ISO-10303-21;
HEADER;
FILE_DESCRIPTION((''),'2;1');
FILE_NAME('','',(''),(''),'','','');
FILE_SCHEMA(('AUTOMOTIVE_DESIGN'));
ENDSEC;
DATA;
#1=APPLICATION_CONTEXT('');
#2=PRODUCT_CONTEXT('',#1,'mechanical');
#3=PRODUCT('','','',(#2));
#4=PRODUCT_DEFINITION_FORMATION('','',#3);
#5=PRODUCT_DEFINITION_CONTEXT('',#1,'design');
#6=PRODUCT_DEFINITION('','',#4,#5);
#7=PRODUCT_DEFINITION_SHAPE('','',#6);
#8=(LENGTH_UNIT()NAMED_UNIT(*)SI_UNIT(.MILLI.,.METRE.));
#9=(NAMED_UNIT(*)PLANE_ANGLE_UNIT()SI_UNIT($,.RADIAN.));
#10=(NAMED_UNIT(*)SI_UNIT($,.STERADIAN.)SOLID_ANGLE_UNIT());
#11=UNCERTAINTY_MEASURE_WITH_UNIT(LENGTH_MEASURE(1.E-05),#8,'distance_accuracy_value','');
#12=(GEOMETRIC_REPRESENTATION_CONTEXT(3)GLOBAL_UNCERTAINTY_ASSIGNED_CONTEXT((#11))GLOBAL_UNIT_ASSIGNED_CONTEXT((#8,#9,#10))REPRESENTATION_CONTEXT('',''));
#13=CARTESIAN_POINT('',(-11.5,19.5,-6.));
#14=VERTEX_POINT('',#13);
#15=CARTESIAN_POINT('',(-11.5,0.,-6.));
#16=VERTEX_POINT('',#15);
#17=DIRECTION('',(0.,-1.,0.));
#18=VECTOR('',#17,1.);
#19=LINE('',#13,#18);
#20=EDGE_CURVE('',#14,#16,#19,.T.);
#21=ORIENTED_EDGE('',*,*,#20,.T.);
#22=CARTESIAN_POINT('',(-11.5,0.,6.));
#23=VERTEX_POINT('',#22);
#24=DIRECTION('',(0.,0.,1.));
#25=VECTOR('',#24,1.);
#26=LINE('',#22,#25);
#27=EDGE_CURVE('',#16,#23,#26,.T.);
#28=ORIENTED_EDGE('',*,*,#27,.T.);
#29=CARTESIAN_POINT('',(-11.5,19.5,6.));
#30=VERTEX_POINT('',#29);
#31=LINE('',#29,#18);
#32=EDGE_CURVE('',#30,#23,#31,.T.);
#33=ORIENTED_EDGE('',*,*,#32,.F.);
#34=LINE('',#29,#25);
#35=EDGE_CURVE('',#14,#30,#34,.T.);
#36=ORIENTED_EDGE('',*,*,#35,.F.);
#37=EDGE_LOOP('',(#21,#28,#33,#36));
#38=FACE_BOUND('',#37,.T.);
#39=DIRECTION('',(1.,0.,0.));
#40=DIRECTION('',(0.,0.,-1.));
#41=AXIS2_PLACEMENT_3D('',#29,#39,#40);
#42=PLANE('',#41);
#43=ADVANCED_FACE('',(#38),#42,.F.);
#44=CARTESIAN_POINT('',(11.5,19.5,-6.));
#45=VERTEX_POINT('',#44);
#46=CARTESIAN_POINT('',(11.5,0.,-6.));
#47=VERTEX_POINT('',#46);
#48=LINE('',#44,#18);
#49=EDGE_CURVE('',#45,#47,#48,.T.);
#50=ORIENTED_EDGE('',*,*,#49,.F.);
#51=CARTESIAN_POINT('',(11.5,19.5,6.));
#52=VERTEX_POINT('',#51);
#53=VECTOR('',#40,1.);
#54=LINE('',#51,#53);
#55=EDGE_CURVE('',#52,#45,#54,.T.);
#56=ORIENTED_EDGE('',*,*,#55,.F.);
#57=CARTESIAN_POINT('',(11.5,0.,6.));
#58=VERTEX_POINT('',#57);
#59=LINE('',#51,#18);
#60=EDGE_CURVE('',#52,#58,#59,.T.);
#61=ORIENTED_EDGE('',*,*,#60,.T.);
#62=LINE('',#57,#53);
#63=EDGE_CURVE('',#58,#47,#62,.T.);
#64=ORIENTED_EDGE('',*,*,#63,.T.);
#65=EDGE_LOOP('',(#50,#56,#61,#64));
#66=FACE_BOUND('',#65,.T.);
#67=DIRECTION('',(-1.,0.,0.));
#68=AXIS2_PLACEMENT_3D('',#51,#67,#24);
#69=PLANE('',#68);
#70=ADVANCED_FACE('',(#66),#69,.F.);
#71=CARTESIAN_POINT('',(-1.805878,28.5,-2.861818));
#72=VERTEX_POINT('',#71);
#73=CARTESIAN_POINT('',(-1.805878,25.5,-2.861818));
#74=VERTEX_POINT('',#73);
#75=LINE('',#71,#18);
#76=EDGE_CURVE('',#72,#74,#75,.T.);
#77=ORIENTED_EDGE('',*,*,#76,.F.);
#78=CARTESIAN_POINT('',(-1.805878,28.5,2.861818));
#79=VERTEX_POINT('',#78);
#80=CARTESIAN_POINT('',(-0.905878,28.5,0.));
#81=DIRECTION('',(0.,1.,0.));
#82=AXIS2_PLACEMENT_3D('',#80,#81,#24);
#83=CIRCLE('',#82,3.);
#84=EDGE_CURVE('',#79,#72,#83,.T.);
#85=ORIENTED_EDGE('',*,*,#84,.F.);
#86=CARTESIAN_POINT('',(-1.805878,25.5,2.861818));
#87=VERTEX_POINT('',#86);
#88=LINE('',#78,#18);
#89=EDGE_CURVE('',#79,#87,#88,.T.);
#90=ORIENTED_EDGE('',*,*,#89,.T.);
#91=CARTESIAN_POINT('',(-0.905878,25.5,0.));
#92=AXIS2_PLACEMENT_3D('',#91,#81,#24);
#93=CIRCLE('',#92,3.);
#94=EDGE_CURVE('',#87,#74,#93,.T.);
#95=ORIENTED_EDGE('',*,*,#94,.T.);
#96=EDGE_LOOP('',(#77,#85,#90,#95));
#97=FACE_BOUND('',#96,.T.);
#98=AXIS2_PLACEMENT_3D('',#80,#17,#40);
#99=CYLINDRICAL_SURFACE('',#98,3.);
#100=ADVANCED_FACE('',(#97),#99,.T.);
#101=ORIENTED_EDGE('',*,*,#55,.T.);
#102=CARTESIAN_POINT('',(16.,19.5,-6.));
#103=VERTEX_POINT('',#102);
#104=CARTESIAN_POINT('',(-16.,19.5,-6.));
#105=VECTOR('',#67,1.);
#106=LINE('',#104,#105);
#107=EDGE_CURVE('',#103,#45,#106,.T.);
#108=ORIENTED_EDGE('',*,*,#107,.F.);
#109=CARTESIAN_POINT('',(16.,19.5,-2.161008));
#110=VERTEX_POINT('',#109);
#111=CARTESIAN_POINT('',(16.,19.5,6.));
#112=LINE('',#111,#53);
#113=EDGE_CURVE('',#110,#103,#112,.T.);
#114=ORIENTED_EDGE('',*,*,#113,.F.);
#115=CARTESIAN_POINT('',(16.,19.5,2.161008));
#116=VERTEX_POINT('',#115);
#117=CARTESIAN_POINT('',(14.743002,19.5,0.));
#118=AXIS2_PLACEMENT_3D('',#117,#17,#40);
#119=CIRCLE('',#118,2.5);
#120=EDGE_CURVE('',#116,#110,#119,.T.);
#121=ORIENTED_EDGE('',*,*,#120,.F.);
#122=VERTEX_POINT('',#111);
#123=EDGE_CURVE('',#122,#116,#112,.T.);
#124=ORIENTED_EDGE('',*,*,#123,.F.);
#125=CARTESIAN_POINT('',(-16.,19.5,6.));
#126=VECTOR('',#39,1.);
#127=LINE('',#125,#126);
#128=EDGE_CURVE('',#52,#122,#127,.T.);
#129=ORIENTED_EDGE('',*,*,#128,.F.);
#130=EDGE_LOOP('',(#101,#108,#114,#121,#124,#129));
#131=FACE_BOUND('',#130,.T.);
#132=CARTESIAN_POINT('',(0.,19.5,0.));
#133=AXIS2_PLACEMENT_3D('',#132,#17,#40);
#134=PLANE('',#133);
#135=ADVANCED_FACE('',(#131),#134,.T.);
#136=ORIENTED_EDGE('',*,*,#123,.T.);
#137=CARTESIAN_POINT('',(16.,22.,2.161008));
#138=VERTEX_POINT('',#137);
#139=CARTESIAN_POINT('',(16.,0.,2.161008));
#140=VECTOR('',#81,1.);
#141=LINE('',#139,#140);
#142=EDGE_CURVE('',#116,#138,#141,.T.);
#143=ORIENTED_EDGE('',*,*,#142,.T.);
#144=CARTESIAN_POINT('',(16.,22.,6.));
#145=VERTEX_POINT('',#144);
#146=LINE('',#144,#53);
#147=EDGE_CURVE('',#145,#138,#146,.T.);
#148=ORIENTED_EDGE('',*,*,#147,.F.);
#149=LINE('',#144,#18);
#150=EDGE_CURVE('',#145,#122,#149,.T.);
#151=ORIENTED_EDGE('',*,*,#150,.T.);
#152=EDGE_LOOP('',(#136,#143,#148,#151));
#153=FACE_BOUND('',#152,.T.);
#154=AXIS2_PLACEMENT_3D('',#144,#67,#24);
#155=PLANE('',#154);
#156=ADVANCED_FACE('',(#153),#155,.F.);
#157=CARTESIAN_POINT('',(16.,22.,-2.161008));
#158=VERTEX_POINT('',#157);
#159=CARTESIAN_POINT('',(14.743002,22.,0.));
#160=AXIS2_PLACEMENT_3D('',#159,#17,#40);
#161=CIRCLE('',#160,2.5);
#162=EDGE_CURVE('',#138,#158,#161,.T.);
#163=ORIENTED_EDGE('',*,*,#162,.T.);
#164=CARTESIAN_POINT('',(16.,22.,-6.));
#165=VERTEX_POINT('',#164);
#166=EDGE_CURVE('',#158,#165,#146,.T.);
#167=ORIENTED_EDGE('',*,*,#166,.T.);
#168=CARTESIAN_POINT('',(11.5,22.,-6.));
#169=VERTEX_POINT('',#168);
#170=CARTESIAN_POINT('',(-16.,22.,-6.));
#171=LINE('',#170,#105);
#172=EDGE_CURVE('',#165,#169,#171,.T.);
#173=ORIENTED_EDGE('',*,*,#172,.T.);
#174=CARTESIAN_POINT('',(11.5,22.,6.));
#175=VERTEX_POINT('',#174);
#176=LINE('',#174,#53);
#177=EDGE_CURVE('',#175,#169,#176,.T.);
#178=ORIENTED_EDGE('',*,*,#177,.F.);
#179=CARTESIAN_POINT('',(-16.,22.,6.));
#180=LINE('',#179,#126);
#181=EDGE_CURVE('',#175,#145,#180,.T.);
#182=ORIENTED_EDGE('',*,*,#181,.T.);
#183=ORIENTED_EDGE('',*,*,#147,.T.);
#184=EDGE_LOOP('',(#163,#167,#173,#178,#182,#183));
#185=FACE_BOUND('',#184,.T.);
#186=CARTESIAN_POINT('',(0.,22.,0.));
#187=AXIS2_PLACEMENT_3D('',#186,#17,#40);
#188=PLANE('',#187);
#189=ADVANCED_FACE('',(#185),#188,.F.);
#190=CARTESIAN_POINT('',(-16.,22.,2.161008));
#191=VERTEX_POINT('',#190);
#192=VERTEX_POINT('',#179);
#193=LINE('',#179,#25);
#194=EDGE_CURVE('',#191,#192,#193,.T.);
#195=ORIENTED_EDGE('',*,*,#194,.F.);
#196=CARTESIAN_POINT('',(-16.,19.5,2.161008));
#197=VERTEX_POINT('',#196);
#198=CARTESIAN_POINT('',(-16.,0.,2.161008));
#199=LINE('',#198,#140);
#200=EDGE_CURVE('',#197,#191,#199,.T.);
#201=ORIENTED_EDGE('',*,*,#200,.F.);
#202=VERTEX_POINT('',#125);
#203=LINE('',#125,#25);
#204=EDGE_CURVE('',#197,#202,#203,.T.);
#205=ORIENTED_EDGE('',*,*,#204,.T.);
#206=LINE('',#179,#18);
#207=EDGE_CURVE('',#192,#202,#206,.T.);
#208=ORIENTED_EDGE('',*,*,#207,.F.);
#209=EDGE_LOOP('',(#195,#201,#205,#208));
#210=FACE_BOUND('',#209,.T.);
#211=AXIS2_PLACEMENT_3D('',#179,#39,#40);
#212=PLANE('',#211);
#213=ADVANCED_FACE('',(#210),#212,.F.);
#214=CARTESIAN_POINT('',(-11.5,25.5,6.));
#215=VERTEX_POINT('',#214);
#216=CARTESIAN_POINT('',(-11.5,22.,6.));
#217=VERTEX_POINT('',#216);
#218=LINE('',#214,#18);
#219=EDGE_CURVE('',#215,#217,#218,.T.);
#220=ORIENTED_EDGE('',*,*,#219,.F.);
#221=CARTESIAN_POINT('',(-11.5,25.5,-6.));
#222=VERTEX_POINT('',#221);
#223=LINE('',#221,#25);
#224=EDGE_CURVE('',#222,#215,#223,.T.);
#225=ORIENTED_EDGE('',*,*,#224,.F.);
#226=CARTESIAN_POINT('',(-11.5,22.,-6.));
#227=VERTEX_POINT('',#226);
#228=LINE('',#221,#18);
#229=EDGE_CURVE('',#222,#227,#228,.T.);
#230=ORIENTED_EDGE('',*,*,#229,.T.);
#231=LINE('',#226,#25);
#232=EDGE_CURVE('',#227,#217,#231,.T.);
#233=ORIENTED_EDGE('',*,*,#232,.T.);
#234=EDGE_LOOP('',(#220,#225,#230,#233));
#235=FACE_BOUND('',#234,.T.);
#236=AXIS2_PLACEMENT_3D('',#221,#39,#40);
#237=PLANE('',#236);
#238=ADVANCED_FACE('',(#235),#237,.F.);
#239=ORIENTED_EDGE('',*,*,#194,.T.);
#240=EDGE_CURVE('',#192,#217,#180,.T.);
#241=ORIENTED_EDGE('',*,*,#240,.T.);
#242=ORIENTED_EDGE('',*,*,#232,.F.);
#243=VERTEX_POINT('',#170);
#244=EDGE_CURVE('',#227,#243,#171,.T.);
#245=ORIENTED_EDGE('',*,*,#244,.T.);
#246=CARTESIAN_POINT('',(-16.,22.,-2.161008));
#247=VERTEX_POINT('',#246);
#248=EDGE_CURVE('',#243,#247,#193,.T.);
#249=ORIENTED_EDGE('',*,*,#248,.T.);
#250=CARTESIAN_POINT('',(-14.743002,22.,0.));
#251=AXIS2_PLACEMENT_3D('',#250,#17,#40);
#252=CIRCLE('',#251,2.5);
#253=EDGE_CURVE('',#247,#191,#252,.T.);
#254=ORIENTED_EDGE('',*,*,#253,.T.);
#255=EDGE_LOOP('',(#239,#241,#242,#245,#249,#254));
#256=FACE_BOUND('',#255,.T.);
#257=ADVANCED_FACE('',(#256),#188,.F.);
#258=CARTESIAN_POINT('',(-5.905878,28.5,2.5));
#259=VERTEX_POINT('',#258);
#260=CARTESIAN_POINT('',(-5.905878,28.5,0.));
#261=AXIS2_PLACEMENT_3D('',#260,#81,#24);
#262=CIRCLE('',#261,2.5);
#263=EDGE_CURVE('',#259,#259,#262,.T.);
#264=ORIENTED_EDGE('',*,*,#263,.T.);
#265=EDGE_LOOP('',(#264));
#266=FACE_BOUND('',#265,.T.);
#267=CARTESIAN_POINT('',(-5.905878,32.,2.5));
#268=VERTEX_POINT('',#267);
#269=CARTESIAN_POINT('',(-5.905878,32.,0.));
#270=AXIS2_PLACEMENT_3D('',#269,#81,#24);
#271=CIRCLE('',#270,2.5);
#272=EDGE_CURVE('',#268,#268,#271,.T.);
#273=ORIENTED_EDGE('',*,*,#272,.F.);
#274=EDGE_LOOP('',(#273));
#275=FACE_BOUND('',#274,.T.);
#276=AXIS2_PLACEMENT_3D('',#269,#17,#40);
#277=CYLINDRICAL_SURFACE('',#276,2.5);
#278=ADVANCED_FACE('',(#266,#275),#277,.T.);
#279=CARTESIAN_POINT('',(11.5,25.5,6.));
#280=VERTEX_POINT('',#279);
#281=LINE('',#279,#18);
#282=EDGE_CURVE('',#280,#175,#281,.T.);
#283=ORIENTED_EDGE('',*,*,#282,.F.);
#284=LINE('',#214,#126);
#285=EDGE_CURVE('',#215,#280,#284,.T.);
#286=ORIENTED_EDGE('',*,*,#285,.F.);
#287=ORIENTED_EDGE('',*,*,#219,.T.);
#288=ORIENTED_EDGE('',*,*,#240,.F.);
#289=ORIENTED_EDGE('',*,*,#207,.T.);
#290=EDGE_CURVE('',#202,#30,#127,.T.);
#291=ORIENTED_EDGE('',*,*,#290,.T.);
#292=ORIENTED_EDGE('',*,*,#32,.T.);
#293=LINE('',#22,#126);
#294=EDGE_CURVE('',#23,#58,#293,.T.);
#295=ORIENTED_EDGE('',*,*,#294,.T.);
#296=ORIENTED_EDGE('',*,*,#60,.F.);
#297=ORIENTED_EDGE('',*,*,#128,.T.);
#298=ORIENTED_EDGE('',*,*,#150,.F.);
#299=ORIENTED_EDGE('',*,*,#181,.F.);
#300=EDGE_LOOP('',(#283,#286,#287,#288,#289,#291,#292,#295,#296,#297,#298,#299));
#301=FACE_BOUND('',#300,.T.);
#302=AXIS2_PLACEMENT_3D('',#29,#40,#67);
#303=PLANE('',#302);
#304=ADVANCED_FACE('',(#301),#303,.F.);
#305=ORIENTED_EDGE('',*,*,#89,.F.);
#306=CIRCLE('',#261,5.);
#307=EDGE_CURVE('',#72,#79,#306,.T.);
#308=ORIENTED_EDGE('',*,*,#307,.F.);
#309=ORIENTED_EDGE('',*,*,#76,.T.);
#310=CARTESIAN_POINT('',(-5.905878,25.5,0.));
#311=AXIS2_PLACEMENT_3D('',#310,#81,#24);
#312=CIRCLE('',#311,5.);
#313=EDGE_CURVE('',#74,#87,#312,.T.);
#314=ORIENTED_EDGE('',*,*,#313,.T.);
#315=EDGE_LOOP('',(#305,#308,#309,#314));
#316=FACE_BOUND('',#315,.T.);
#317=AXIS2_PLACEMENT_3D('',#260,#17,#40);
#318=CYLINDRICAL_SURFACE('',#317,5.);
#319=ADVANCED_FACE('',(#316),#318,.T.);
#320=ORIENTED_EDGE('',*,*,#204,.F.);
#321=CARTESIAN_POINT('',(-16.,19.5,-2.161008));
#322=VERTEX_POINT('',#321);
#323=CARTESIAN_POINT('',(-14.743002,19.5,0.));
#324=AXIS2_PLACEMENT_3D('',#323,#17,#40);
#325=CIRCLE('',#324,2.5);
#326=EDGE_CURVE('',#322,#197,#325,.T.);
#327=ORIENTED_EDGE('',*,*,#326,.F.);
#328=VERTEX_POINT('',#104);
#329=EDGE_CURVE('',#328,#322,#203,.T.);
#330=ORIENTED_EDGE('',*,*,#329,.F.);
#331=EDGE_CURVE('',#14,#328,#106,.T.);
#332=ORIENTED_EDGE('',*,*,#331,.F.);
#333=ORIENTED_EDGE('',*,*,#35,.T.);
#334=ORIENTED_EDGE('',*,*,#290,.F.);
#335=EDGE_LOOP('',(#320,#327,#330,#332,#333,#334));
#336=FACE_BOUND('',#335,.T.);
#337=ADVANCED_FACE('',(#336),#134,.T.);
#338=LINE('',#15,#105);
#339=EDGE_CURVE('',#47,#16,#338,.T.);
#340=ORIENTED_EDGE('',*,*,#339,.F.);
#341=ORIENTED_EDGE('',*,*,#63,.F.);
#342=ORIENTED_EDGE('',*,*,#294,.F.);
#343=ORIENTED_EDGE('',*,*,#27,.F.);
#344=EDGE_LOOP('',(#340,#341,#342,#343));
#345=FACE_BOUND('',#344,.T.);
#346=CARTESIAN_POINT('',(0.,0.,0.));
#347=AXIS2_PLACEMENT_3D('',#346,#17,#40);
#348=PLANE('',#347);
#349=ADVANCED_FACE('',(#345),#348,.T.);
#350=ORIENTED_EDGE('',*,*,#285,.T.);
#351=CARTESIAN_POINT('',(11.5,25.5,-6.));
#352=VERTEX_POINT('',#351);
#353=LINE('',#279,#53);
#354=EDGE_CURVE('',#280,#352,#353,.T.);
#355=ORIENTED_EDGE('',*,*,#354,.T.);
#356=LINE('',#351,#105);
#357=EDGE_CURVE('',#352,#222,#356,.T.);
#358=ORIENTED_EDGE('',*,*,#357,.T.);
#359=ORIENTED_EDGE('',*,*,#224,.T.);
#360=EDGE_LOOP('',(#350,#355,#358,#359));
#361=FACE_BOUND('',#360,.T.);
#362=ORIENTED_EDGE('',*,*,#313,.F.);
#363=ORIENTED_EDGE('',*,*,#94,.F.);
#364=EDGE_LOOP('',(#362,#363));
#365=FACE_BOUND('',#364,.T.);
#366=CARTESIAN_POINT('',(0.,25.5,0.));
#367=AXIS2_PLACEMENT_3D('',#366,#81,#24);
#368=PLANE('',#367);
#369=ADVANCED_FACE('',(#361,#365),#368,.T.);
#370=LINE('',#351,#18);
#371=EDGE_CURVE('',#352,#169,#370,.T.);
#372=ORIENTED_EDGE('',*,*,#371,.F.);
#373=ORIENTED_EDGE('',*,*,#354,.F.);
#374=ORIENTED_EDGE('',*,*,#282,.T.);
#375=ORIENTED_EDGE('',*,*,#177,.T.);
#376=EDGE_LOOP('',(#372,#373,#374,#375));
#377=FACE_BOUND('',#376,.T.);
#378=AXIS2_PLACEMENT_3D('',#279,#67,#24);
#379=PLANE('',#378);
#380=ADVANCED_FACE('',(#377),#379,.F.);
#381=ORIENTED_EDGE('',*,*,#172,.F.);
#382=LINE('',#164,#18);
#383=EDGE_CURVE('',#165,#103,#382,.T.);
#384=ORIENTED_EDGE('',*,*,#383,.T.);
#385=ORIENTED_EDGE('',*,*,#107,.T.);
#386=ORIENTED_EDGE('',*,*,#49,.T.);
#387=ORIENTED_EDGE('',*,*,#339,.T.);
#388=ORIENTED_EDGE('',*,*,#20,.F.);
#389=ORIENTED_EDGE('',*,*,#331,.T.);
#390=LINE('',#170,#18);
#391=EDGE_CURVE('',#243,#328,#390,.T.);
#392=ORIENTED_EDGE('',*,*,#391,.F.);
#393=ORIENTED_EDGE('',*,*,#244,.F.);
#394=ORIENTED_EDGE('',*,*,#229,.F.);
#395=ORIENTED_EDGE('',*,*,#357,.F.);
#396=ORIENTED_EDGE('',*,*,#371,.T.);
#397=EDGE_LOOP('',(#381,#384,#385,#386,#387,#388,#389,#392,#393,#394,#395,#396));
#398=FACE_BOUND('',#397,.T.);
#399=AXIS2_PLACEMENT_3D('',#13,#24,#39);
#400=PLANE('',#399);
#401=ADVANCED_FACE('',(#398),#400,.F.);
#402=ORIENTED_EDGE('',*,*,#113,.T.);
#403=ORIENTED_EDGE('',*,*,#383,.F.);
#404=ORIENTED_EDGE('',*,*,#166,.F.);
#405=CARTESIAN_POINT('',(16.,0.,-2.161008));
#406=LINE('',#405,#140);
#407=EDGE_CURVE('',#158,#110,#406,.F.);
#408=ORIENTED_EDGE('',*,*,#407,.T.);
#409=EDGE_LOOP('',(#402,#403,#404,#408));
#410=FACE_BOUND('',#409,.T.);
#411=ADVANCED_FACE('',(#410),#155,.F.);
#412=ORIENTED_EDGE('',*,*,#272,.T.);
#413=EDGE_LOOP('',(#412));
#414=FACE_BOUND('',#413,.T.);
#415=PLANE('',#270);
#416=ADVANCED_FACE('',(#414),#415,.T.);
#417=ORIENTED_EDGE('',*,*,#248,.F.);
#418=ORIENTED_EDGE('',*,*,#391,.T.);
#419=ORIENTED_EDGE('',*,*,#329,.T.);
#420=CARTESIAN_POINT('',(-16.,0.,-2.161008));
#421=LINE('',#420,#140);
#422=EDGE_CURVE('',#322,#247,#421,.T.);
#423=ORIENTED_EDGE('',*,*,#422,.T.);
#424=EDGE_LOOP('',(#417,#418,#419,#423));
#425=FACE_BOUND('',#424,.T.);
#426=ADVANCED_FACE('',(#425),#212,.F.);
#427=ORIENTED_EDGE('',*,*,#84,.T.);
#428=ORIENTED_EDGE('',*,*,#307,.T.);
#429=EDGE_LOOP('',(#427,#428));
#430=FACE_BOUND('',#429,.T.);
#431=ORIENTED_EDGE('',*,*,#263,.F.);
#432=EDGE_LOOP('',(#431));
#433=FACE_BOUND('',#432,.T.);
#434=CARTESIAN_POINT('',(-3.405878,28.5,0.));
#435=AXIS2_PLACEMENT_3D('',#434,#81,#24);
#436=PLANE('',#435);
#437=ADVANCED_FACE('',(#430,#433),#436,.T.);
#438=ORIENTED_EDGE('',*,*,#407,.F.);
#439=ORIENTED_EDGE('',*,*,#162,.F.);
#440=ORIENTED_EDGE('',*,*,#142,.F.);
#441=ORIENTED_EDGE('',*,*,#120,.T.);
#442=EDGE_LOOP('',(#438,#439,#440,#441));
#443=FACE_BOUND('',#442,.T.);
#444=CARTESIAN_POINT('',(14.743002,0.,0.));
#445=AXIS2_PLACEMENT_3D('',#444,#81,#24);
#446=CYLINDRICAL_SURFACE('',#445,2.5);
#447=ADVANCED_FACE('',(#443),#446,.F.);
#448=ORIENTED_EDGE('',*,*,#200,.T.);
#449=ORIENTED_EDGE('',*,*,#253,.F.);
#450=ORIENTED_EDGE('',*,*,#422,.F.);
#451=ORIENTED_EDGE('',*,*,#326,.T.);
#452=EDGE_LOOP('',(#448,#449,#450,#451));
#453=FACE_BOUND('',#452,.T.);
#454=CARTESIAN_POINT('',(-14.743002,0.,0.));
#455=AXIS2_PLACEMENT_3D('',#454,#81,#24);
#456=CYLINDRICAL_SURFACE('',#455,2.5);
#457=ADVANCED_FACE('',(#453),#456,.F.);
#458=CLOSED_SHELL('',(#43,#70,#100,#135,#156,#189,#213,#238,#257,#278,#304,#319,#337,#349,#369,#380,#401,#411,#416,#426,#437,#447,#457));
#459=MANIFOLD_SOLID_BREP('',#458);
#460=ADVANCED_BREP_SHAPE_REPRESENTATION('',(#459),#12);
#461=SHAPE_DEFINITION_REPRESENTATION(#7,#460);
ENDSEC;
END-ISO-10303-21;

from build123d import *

# Parameters (mm, degrees)
CROQUIS1_W                 = 23
CROQUIS1_H                 = 12
SALIENTE_EXTRUIR1_DEPTH    = 19.5
CROQUIS2_W                 = 32
CROQUIS2_H                 = 12
SALIENTE_EXTRUIR2_DEPTH    = 2.5
CROQUIS3_W                 = 23
CROQUIS3_H                 = 12
SALIENTE_EXTRUIR3_DEPTH    = 3.5
CORTAR_EXTRUIR1_DEPTH      = 4.5
CORTAR_EXTRUIR1_DEPTH_BACK = 23
SALIENTE_EXTRUIR4_DEPTH    = 3
CROQUIS6_R                 = 2.5
SALIENTE_EXTRUIR5_DEPTH    = 3.5


with BuildPart() as part:
    # Croquis1 → Saliente-Extruir1 (new body)
    with BuildSketch(Plane(origin=(0, 0, 0), x_dir=(1, 0, 0), z_dir=(0, 1, 0))):
        Rectangle(CROQUIS1_W, CROQUIS1_H)
    extrude(amount=SALIENTE_EXTRUIR1_DEPTH)

    # Croquis2 → Saliente-Extruir2 (add)
    with BuildSketch(Plane(origin=(0, 19.5, 0), x_dir=(1, 0, 0), z_dir=(0, 1, 0))):
        Rectangle(CROQUIS2_W, CROQUIS2_H)
    extrude(amount=SALIENTE_EXTRUIR2_DEPTH)

    # Croquis3 → Saliente-Extruir3 (add)
    with BuildSketch(Plane(origin=(0, 22, 0), x_dir=(1, 0, 0), z_dir=(0, 1, 0))):
        Rectangle(CROQUIS3_W, CROQUIS3_H)
    extrude(amount=SALIENTE_EXTRUIR3_DEPTH)

    # Croquis4 → Cortar-Extruir1 (cut, two sides)
    with BuildSketch(Plane(origin=(0, 22, 0), x_dir=(1, 0, 0), z_dir=(0, 1, 0))) as cortar_extruir1_sk:
        with BuildLine():
            Line((-16, 2.161008353), (-16, -2.161008353))
            ThreePointArc((-16, -2.161008353), (-12.243002427, 0), (-16, 2.161008353))
        make_face()
        with BuildLine():
            Line((16, 2.161008353), (16, -2.161008353))
            ThreePointArc((16, -2.161008353), (12.243002427, 0), (16, 2.161008353))
        make_face()
    extrude(amount=CORTAR_EXTRUIR1_DEPTH, mode=Mode.SUBTRACT)
    extrude(cortar_extruir1_sk.sketch, amount=-CORTAR_EXTRUIR1_DEPTH_BACK, mode=Mode.SUBTRACT)

    # Croquis5 → Saliente-Extruir4 (add)
    with BuildSketch(Plane(origin=(0, 25.5, 0), x_dir=(1, 0, 0), z_dir=(0, 1, 0))):
        with BuildLine():
            ThreePointArc((-1.805877758, 2.861817604), (-10.905877758, 0), (-1.805877758, -2.861817604))
            ThreePointArc((-1.805877758, -2.861817604), (2.094122242, 0), (-1.805877758, 2.861817604))
        make_face()
    extrude(amount=SALIENTE_EXTRUIR4_DEPTH)

    # Croquis6 → Saliente-Extruir5 (add)
    with BuildSketch(Plane(origin=(0, 28.5, 0), x_dir=(1, 0, 0), z_dir=(0, 1, 0))):
        with Locations((-5.905877758, 0)):
            Circle(CROQUIS6_R)
    extrude(amount=SALIENTE_EXTRUIR5_DEPTH)


solid = part.part
